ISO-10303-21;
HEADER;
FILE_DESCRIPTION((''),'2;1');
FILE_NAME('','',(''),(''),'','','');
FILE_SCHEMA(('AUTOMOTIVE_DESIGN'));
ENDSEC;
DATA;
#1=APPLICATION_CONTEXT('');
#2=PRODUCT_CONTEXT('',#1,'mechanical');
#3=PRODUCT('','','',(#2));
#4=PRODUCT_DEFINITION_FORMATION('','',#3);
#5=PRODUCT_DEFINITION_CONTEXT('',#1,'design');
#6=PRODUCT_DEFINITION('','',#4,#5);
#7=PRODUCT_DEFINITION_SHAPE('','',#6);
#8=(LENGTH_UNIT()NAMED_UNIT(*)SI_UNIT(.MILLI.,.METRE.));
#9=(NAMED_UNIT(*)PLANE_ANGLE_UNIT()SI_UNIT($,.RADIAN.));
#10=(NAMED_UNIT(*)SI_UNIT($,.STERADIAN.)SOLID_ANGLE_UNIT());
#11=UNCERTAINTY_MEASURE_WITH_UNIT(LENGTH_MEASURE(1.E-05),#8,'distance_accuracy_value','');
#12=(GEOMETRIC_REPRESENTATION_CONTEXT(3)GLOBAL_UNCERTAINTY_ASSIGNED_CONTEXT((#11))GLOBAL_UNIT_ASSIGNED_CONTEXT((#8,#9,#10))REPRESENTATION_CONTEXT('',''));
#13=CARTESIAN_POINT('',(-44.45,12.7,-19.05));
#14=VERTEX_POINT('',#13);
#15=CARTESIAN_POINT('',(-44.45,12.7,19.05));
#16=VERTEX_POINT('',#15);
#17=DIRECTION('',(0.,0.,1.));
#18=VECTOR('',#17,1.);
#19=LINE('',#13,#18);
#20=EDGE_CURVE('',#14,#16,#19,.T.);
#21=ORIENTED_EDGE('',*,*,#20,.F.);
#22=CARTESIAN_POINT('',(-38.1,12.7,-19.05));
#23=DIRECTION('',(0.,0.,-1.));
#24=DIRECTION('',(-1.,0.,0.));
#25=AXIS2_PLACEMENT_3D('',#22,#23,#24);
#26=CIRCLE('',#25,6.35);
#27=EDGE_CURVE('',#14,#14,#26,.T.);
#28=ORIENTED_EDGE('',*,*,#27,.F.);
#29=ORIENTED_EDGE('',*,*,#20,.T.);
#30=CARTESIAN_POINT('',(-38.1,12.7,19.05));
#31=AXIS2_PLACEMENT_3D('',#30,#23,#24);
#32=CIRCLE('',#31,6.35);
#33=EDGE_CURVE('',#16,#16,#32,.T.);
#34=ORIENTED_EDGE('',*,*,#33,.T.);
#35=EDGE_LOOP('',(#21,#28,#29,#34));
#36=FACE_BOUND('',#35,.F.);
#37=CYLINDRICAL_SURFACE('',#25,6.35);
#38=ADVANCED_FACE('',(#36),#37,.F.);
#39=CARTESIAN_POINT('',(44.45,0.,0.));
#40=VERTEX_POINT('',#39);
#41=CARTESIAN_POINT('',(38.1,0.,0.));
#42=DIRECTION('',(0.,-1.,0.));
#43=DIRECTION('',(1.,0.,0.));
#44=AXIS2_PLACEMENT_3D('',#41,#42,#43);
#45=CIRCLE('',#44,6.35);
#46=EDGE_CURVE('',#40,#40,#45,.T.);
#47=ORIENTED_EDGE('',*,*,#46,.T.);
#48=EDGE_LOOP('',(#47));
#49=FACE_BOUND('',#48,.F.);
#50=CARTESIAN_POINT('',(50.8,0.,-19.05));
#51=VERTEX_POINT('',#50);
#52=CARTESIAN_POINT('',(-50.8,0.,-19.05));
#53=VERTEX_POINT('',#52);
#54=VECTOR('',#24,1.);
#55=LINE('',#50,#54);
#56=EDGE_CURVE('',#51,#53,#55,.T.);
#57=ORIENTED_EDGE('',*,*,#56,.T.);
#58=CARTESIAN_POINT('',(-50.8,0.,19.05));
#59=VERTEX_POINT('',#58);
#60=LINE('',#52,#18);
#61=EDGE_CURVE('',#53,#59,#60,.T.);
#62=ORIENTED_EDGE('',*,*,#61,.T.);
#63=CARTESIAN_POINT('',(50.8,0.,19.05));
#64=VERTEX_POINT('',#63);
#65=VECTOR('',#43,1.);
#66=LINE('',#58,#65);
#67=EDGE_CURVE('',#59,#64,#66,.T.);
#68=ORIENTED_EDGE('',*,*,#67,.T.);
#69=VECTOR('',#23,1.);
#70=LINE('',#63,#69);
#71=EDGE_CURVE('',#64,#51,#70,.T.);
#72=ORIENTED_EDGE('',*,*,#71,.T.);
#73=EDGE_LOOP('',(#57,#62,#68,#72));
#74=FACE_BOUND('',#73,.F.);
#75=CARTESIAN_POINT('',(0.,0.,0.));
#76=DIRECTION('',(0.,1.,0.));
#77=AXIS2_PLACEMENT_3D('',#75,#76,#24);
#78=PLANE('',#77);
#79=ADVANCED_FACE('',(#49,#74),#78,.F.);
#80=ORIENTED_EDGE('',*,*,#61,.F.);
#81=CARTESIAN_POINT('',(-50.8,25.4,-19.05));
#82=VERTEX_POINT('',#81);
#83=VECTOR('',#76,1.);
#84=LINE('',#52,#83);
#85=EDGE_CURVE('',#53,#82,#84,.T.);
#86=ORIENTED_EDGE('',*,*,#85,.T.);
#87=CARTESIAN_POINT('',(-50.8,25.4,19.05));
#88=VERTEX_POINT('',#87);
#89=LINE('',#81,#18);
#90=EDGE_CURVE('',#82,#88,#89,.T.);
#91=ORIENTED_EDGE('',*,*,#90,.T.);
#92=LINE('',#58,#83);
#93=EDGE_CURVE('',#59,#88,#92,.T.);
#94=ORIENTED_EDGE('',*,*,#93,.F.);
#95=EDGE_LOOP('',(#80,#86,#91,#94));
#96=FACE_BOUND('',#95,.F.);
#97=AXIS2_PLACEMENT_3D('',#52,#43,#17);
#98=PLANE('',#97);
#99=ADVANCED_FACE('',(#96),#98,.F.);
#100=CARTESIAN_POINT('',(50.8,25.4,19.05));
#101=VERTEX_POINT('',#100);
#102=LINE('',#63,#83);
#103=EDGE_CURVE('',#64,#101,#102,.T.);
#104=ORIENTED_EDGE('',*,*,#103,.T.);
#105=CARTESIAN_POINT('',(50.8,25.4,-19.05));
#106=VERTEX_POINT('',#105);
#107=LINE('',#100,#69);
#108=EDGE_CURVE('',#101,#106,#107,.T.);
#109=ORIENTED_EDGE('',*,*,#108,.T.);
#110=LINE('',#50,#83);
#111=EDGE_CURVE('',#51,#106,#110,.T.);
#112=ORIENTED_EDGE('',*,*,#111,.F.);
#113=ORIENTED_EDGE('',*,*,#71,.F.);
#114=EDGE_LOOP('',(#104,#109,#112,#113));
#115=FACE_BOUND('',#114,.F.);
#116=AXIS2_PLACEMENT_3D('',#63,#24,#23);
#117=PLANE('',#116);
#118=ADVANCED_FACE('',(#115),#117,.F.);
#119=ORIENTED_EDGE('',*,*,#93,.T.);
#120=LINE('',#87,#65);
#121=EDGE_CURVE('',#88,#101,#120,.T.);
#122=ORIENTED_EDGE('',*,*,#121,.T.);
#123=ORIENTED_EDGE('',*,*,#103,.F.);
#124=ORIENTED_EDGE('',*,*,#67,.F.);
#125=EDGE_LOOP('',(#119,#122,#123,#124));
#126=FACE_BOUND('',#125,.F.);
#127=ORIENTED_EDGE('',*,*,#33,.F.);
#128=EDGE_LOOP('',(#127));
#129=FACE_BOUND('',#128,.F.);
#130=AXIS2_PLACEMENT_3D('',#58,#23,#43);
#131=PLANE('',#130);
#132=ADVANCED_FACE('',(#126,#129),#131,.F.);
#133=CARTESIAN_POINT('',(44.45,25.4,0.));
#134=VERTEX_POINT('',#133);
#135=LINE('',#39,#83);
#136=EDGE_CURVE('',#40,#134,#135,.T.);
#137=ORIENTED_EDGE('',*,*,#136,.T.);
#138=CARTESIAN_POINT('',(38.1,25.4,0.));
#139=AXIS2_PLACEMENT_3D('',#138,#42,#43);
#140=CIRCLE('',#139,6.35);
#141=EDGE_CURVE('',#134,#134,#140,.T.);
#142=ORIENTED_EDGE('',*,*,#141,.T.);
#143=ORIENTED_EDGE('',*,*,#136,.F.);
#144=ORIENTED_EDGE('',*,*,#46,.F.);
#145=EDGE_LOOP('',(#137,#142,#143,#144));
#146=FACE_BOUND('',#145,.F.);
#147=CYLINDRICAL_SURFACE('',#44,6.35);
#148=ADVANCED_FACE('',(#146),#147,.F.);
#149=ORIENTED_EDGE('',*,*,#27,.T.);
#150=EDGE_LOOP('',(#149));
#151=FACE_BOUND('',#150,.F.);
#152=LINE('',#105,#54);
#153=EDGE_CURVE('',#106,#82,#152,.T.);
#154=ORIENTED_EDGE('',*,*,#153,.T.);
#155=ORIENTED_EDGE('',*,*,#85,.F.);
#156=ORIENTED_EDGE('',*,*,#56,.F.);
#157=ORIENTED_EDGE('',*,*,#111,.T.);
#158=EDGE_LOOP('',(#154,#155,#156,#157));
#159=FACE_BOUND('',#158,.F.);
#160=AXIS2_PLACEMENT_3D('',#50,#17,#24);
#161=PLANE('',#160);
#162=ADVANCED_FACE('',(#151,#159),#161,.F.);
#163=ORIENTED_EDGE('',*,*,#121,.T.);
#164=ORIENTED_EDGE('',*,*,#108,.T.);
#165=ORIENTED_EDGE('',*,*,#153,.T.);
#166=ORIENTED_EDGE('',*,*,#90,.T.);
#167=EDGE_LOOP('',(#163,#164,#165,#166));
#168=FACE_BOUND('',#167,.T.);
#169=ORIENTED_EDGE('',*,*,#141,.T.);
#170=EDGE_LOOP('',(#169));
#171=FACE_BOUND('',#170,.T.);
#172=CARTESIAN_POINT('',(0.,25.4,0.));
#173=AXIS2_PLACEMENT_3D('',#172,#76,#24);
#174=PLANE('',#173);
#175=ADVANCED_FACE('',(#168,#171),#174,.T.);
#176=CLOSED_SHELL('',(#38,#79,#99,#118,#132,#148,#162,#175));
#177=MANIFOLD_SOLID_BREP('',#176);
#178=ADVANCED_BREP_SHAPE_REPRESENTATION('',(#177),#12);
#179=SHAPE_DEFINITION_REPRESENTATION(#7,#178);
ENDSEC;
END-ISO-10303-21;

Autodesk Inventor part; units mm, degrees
ref_plane "YZ Plane" through (0, 0, 0) normal (1, 0, 0) x (0, 1, 0)
ref_plane "XZ Plane" through (0, 0, 0) normal (0, 1, 0) x (-1, 0, 0)
ref_plane "XY Plane" through (0, 0, 0) normal (0, 0, 1) x (1, 0, 0)
sketch "Sketch1" plane through (0, 0, 0) normal (0, 1, 0) x (-1, 0, 0)
  line L0 (-50.8, -19.05) -> (50.8, -19.05)
  line L1 (50.8, -19.05) -> (50.8, 19.05)
  line L2 (50.8, 19.05) -> (-50.8, 19.05)
  line L3 (-50.8, 19.05) -> (-50.8, -19.05)
  line L4 (-50.8, -19.05) -> (50.8, 19.05) construction
  line L5 (50.8, -19.05) -> (-50.8, 19.05) construction
  point P0 (0, 0)
  dimension "d0" = 38.1
  dimension "d1" = 101.6
extrude "Extrusion1" add sketch "Sketch1" along normal blind 25.4
sketch "Sketch2" plane through (50.8, 0, -19.05) normal (0, 0, -1) x (-1, 0, 0)
  line L0 (101.6, 0) -> (101.6, 25.4) projected
  line L1 (101.6, 12.7) -> (0, 12.7) construction
  line L2 (0, 0) -> (0, 25.4) projected
  circle A0 centre (88.9, 12.7) radius 6.35
  point P0 (50.8, 0)
  dimension "d4" = 12.7
  dimension "d5" = 12.7
extrude "Extrusion2" cut sketch "Sketch2" against normal through all
sketch "Sketch3" plane through (0, 0, 0) normal (0, -1, 0) x (1, 0, 0)
  line L0 (50.8, 19.05) -> (50.8, -19.05) projected
  line L1 (50.8, 0) -> (-50.8, 0) construction
  line L2 (-50.8, -19.05) -> (-50.8, 19.05) projected
  circle A0 centre (38.1, 0) radius 6.35
  point P0 (0, 0)
  dimension "d8" = 12.7
  dimension "d9" = 12.7
extrude "Extrusion3" cut sketch "Sketch3" against normal blind 25.4
properties part number "tie rod"
